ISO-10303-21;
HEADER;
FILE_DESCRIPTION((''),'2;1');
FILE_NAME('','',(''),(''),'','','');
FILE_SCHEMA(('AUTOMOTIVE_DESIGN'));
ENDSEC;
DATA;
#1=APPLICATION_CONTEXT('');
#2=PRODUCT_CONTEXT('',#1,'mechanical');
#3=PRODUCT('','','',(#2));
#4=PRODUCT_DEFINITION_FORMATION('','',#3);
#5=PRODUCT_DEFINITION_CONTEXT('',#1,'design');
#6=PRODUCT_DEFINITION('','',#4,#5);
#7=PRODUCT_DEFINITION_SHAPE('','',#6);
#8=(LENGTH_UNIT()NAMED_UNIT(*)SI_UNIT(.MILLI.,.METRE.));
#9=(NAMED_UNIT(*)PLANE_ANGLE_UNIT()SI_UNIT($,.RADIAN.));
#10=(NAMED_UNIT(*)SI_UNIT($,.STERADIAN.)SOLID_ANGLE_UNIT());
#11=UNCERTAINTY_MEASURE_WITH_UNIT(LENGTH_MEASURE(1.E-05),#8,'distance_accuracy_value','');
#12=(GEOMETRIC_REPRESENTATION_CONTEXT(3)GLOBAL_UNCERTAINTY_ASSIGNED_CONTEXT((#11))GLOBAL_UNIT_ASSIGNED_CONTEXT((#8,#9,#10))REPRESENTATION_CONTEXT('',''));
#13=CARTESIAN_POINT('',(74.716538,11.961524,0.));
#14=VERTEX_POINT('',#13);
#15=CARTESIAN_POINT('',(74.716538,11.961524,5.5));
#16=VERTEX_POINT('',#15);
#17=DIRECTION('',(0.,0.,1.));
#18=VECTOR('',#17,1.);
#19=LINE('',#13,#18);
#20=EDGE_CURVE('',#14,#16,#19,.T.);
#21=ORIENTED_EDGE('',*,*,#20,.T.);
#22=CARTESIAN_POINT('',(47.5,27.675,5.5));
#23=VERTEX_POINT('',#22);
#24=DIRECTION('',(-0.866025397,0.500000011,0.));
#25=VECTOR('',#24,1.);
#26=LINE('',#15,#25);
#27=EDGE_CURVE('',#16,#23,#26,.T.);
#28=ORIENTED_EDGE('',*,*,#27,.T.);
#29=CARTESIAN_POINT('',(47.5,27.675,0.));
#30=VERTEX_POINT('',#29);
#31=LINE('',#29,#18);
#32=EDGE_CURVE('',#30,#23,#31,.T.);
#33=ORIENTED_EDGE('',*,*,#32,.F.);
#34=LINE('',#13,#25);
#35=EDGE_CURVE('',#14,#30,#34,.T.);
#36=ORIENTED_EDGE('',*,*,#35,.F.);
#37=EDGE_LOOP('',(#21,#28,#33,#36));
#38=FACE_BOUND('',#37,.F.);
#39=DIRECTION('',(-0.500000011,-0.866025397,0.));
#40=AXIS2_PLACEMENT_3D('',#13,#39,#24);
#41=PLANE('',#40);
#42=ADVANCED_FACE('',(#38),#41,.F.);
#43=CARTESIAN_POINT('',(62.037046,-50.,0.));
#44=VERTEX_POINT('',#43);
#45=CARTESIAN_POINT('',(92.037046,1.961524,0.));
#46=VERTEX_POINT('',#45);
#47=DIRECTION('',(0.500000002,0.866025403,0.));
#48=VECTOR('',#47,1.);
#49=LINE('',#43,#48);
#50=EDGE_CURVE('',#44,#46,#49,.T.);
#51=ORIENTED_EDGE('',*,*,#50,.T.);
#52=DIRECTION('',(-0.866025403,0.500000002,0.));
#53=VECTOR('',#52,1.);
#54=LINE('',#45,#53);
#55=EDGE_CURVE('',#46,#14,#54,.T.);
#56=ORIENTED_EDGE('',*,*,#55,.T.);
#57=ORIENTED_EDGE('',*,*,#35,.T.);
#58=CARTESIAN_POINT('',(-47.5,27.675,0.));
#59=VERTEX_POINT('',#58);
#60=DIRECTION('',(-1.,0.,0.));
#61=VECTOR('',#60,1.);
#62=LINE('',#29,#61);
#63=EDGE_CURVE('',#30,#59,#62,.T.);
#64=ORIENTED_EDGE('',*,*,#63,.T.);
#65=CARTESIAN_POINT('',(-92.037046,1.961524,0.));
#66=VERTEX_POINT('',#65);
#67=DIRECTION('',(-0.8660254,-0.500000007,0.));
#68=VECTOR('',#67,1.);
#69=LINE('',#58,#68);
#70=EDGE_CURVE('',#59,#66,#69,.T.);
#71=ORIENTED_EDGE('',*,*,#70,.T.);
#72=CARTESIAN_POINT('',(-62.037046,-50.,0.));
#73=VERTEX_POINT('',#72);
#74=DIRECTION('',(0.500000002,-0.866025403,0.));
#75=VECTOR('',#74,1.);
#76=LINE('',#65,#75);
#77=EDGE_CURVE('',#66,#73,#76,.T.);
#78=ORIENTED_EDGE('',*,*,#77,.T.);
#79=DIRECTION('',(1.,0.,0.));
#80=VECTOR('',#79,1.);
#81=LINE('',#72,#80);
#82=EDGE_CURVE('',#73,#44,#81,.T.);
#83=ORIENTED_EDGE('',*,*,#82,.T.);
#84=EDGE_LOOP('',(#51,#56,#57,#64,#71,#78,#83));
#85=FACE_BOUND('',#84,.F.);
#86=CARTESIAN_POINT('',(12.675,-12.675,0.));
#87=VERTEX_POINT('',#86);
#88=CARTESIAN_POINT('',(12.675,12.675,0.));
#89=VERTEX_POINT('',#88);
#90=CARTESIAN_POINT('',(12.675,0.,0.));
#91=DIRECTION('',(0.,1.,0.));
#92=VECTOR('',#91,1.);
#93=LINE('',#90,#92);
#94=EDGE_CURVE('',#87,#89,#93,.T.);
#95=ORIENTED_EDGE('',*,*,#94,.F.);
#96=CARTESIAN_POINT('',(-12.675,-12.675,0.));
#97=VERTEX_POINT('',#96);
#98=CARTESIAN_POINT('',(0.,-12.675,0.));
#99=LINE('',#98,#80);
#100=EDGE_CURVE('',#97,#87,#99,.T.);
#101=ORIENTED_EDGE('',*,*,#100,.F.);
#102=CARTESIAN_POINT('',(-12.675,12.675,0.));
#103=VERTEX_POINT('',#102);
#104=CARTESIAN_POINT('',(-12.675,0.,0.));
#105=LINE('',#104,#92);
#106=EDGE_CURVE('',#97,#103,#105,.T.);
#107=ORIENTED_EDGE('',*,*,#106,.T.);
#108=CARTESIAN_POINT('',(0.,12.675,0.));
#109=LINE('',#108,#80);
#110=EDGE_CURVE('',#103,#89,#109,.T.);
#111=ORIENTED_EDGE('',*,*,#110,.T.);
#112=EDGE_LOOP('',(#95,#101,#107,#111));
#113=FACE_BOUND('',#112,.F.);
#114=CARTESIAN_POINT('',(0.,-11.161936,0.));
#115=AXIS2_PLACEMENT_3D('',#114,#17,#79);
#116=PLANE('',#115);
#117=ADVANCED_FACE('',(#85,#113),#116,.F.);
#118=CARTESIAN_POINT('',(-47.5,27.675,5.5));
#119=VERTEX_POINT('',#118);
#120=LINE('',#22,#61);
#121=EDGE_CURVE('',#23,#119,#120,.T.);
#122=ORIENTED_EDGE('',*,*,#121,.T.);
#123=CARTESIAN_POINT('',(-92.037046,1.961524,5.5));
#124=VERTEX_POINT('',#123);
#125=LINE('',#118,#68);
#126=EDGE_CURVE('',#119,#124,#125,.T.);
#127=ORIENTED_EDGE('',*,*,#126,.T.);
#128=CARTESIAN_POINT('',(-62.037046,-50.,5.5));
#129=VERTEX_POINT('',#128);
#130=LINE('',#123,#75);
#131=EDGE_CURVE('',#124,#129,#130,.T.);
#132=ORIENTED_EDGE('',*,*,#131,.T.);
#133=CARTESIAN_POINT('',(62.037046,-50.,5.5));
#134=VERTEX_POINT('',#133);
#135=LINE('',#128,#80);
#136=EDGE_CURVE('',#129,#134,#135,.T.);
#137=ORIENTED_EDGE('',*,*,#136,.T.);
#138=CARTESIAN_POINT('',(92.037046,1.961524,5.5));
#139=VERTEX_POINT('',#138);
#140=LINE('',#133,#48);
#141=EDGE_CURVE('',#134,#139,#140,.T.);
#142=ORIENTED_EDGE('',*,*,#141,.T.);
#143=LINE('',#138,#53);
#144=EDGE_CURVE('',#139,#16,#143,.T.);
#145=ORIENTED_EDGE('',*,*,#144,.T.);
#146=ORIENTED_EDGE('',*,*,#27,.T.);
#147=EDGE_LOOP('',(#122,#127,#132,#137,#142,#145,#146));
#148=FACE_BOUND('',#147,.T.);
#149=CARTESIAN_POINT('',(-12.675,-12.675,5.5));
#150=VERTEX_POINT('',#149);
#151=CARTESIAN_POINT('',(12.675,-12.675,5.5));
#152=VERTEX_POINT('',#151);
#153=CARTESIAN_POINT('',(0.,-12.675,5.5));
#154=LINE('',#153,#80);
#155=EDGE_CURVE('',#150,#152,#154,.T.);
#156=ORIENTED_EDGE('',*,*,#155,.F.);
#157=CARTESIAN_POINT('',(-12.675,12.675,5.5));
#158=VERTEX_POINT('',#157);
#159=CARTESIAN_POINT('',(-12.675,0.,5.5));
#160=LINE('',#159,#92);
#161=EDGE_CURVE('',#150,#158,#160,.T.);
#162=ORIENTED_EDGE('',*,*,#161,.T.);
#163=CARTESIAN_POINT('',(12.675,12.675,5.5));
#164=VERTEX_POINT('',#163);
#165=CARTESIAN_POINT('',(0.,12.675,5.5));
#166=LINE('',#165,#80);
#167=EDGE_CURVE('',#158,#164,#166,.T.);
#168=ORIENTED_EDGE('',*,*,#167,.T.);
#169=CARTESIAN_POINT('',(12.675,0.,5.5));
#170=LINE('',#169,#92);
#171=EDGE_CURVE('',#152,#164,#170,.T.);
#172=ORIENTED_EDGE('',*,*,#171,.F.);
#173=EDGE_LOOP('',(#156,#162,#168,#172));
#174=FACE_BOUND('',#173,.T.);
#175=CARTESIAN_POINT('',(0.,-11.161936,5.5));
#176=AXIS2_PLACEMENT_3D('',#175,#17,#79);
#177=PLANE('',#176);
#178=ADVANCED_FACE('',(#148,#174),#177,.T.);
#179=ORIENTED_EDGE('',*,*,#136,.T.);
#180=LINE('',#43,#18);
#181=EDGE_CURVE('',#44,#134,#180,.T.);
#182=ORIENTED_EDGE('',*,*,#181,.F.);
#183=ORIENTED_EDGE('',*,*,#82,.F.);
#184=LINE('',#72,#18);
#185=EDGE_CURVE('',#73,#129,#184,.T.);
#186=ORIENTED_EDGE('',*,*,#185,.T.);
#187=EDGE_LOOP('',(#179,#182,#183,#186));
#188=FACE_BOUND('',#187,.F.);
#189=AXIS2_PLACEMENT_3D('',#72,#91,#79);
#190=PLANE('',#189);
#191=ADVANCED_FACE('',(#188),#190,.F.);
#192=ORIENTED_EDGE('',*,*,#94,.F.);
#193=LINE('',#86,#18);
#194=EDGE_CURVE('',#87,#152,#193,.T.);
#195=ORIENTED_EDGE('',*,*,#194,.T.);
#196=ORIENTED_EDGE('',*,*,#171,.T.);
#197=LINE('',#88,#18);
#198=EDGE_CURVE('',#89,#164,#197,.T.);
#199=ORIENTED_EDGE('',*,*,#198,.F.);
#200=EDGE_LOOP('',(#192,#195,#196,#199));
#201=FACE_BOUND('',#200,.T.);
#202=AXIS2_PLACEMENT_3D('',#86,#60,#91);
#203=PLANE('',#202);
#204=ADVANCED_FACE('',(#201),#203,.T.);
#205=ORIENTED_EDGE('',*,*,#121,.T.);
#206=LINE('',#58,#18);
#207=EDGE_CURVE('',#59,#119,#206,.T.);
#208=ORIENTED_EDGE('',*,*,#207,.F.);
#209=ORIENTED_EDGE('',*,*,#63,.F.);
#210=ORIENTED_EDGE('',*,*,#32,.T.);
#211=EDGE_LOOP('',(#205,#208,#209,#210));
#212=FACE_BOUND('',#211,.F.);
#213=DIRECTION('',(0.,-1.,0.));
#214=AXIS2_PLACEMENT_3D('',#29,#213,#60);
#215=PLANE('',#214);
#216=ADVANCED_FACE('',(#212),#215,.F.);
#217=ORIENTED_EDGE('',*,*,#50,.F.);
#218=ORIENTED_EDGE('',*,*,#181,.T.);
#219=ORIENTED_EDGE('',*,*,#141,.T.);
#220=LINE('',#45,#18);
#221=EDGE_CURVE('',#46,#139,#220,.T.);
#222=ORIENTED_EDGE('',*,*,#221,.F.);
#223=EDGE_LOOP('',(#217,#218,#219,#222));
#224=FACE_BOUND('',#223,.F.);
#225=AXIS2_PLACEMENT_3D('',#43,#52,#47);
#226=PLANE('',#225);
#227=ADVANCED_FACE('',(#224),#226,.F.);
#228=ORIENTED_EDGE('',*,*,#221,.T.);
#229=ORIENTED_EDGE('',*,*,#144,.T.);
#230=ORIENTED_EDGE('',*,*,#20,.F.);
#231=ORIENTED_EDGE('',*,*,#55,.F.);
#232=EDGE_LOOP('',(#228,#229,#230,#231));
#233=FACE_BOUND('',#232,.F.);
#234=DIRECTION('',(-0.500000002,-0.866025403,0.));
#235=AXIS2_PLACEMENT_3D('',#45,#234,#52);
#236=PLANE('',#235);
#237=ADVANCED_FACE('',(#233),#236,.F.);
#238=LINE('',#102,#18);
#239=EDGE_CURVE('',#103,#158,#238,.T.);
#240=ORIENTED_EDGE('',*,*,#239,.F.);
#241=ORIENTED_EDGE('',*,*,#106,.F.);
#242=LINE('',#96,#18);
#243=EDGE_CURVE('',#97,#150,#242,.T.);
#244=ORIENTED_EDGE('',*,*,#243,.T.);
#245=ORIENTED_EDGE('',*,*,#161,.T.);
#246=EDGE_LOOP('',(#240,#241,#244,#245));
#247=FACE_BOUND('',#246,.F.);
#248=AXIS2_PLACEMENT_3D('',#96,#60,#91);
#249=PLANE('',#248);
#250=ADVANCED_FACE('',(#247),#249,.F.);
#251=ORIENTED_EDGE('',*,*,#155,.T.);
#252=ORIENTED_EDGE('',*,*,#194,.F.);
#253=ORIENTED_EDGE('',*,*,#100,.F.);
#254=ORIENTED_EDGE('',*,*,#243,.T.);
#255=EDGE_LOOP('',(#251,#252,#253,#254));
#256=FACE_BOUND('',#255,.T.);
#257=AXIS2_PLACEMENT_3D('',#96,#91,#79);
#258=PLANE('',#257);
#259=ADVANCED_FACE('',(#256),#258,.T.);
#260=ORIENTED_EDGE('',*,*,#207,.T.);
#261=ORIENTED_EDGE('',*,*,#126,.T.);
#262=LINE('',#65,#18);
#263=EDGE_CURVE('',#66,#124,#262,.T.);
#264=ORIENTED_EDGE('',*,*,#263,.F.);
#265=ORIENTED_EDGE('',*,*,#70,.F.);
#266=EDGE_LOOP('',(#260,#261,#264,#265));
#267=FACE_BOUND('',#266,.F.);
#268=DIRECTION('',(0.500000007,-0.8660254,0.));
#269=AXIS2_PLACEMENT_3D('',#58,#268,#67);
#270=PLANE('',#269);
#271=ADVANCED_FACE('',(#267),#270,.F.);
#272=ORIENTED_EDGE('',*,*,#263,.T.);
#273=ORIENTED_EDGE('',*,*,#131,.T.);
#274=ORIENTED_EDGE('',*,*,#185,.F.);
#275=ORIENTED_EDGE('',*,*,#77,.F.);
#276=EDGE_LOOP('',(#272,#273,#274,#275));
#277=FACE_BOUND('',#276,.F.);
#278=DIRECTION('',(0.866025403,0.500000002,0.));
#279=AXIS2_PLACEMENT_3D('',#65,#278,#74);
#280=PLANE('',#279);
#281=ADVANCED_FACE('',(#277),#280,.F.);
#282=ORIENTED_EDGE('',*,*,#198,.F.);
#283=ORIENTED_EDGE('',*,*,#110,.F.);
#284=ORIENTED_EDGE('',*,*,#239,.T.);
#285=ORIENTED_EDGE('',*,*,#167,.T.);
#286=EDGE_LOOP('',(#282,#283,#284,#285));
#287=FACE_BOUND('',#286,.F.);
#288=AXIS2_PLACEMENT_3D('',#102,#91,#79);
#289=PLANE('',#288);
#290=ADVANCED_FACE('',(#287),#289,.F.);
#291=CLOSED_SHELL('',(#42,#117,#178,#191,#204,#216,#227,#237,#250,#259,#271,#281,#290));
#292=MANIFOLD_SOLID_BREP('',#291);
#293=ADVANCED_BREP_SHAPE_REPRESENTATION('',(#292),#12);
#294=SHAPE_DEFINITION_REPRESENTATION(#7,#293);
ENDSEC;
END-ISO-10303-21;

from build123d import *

# Parameters (mm, degrees)
F0_W     = 25.35
F0_H     = 25.35
F1_DEPTH = 5.5


with BuildPart() as f1:
    # F0 (on Top) → F1 (new body)
    with BuildSketch(Plane.XY):
        Polygon((47.5, 27.675), (-47.5, 27.675), (-92.037046, 1.961524), (-62.037046, -50), (62.037046, -50), (92.037046, 1.961524), (74.716538, 11.961524), align=None)
        Rectangle(F0_W, F0_H, mode=Mode.SUBTRACT)
    extrude(amount=F1_DEPTH)


solid = f1.part
